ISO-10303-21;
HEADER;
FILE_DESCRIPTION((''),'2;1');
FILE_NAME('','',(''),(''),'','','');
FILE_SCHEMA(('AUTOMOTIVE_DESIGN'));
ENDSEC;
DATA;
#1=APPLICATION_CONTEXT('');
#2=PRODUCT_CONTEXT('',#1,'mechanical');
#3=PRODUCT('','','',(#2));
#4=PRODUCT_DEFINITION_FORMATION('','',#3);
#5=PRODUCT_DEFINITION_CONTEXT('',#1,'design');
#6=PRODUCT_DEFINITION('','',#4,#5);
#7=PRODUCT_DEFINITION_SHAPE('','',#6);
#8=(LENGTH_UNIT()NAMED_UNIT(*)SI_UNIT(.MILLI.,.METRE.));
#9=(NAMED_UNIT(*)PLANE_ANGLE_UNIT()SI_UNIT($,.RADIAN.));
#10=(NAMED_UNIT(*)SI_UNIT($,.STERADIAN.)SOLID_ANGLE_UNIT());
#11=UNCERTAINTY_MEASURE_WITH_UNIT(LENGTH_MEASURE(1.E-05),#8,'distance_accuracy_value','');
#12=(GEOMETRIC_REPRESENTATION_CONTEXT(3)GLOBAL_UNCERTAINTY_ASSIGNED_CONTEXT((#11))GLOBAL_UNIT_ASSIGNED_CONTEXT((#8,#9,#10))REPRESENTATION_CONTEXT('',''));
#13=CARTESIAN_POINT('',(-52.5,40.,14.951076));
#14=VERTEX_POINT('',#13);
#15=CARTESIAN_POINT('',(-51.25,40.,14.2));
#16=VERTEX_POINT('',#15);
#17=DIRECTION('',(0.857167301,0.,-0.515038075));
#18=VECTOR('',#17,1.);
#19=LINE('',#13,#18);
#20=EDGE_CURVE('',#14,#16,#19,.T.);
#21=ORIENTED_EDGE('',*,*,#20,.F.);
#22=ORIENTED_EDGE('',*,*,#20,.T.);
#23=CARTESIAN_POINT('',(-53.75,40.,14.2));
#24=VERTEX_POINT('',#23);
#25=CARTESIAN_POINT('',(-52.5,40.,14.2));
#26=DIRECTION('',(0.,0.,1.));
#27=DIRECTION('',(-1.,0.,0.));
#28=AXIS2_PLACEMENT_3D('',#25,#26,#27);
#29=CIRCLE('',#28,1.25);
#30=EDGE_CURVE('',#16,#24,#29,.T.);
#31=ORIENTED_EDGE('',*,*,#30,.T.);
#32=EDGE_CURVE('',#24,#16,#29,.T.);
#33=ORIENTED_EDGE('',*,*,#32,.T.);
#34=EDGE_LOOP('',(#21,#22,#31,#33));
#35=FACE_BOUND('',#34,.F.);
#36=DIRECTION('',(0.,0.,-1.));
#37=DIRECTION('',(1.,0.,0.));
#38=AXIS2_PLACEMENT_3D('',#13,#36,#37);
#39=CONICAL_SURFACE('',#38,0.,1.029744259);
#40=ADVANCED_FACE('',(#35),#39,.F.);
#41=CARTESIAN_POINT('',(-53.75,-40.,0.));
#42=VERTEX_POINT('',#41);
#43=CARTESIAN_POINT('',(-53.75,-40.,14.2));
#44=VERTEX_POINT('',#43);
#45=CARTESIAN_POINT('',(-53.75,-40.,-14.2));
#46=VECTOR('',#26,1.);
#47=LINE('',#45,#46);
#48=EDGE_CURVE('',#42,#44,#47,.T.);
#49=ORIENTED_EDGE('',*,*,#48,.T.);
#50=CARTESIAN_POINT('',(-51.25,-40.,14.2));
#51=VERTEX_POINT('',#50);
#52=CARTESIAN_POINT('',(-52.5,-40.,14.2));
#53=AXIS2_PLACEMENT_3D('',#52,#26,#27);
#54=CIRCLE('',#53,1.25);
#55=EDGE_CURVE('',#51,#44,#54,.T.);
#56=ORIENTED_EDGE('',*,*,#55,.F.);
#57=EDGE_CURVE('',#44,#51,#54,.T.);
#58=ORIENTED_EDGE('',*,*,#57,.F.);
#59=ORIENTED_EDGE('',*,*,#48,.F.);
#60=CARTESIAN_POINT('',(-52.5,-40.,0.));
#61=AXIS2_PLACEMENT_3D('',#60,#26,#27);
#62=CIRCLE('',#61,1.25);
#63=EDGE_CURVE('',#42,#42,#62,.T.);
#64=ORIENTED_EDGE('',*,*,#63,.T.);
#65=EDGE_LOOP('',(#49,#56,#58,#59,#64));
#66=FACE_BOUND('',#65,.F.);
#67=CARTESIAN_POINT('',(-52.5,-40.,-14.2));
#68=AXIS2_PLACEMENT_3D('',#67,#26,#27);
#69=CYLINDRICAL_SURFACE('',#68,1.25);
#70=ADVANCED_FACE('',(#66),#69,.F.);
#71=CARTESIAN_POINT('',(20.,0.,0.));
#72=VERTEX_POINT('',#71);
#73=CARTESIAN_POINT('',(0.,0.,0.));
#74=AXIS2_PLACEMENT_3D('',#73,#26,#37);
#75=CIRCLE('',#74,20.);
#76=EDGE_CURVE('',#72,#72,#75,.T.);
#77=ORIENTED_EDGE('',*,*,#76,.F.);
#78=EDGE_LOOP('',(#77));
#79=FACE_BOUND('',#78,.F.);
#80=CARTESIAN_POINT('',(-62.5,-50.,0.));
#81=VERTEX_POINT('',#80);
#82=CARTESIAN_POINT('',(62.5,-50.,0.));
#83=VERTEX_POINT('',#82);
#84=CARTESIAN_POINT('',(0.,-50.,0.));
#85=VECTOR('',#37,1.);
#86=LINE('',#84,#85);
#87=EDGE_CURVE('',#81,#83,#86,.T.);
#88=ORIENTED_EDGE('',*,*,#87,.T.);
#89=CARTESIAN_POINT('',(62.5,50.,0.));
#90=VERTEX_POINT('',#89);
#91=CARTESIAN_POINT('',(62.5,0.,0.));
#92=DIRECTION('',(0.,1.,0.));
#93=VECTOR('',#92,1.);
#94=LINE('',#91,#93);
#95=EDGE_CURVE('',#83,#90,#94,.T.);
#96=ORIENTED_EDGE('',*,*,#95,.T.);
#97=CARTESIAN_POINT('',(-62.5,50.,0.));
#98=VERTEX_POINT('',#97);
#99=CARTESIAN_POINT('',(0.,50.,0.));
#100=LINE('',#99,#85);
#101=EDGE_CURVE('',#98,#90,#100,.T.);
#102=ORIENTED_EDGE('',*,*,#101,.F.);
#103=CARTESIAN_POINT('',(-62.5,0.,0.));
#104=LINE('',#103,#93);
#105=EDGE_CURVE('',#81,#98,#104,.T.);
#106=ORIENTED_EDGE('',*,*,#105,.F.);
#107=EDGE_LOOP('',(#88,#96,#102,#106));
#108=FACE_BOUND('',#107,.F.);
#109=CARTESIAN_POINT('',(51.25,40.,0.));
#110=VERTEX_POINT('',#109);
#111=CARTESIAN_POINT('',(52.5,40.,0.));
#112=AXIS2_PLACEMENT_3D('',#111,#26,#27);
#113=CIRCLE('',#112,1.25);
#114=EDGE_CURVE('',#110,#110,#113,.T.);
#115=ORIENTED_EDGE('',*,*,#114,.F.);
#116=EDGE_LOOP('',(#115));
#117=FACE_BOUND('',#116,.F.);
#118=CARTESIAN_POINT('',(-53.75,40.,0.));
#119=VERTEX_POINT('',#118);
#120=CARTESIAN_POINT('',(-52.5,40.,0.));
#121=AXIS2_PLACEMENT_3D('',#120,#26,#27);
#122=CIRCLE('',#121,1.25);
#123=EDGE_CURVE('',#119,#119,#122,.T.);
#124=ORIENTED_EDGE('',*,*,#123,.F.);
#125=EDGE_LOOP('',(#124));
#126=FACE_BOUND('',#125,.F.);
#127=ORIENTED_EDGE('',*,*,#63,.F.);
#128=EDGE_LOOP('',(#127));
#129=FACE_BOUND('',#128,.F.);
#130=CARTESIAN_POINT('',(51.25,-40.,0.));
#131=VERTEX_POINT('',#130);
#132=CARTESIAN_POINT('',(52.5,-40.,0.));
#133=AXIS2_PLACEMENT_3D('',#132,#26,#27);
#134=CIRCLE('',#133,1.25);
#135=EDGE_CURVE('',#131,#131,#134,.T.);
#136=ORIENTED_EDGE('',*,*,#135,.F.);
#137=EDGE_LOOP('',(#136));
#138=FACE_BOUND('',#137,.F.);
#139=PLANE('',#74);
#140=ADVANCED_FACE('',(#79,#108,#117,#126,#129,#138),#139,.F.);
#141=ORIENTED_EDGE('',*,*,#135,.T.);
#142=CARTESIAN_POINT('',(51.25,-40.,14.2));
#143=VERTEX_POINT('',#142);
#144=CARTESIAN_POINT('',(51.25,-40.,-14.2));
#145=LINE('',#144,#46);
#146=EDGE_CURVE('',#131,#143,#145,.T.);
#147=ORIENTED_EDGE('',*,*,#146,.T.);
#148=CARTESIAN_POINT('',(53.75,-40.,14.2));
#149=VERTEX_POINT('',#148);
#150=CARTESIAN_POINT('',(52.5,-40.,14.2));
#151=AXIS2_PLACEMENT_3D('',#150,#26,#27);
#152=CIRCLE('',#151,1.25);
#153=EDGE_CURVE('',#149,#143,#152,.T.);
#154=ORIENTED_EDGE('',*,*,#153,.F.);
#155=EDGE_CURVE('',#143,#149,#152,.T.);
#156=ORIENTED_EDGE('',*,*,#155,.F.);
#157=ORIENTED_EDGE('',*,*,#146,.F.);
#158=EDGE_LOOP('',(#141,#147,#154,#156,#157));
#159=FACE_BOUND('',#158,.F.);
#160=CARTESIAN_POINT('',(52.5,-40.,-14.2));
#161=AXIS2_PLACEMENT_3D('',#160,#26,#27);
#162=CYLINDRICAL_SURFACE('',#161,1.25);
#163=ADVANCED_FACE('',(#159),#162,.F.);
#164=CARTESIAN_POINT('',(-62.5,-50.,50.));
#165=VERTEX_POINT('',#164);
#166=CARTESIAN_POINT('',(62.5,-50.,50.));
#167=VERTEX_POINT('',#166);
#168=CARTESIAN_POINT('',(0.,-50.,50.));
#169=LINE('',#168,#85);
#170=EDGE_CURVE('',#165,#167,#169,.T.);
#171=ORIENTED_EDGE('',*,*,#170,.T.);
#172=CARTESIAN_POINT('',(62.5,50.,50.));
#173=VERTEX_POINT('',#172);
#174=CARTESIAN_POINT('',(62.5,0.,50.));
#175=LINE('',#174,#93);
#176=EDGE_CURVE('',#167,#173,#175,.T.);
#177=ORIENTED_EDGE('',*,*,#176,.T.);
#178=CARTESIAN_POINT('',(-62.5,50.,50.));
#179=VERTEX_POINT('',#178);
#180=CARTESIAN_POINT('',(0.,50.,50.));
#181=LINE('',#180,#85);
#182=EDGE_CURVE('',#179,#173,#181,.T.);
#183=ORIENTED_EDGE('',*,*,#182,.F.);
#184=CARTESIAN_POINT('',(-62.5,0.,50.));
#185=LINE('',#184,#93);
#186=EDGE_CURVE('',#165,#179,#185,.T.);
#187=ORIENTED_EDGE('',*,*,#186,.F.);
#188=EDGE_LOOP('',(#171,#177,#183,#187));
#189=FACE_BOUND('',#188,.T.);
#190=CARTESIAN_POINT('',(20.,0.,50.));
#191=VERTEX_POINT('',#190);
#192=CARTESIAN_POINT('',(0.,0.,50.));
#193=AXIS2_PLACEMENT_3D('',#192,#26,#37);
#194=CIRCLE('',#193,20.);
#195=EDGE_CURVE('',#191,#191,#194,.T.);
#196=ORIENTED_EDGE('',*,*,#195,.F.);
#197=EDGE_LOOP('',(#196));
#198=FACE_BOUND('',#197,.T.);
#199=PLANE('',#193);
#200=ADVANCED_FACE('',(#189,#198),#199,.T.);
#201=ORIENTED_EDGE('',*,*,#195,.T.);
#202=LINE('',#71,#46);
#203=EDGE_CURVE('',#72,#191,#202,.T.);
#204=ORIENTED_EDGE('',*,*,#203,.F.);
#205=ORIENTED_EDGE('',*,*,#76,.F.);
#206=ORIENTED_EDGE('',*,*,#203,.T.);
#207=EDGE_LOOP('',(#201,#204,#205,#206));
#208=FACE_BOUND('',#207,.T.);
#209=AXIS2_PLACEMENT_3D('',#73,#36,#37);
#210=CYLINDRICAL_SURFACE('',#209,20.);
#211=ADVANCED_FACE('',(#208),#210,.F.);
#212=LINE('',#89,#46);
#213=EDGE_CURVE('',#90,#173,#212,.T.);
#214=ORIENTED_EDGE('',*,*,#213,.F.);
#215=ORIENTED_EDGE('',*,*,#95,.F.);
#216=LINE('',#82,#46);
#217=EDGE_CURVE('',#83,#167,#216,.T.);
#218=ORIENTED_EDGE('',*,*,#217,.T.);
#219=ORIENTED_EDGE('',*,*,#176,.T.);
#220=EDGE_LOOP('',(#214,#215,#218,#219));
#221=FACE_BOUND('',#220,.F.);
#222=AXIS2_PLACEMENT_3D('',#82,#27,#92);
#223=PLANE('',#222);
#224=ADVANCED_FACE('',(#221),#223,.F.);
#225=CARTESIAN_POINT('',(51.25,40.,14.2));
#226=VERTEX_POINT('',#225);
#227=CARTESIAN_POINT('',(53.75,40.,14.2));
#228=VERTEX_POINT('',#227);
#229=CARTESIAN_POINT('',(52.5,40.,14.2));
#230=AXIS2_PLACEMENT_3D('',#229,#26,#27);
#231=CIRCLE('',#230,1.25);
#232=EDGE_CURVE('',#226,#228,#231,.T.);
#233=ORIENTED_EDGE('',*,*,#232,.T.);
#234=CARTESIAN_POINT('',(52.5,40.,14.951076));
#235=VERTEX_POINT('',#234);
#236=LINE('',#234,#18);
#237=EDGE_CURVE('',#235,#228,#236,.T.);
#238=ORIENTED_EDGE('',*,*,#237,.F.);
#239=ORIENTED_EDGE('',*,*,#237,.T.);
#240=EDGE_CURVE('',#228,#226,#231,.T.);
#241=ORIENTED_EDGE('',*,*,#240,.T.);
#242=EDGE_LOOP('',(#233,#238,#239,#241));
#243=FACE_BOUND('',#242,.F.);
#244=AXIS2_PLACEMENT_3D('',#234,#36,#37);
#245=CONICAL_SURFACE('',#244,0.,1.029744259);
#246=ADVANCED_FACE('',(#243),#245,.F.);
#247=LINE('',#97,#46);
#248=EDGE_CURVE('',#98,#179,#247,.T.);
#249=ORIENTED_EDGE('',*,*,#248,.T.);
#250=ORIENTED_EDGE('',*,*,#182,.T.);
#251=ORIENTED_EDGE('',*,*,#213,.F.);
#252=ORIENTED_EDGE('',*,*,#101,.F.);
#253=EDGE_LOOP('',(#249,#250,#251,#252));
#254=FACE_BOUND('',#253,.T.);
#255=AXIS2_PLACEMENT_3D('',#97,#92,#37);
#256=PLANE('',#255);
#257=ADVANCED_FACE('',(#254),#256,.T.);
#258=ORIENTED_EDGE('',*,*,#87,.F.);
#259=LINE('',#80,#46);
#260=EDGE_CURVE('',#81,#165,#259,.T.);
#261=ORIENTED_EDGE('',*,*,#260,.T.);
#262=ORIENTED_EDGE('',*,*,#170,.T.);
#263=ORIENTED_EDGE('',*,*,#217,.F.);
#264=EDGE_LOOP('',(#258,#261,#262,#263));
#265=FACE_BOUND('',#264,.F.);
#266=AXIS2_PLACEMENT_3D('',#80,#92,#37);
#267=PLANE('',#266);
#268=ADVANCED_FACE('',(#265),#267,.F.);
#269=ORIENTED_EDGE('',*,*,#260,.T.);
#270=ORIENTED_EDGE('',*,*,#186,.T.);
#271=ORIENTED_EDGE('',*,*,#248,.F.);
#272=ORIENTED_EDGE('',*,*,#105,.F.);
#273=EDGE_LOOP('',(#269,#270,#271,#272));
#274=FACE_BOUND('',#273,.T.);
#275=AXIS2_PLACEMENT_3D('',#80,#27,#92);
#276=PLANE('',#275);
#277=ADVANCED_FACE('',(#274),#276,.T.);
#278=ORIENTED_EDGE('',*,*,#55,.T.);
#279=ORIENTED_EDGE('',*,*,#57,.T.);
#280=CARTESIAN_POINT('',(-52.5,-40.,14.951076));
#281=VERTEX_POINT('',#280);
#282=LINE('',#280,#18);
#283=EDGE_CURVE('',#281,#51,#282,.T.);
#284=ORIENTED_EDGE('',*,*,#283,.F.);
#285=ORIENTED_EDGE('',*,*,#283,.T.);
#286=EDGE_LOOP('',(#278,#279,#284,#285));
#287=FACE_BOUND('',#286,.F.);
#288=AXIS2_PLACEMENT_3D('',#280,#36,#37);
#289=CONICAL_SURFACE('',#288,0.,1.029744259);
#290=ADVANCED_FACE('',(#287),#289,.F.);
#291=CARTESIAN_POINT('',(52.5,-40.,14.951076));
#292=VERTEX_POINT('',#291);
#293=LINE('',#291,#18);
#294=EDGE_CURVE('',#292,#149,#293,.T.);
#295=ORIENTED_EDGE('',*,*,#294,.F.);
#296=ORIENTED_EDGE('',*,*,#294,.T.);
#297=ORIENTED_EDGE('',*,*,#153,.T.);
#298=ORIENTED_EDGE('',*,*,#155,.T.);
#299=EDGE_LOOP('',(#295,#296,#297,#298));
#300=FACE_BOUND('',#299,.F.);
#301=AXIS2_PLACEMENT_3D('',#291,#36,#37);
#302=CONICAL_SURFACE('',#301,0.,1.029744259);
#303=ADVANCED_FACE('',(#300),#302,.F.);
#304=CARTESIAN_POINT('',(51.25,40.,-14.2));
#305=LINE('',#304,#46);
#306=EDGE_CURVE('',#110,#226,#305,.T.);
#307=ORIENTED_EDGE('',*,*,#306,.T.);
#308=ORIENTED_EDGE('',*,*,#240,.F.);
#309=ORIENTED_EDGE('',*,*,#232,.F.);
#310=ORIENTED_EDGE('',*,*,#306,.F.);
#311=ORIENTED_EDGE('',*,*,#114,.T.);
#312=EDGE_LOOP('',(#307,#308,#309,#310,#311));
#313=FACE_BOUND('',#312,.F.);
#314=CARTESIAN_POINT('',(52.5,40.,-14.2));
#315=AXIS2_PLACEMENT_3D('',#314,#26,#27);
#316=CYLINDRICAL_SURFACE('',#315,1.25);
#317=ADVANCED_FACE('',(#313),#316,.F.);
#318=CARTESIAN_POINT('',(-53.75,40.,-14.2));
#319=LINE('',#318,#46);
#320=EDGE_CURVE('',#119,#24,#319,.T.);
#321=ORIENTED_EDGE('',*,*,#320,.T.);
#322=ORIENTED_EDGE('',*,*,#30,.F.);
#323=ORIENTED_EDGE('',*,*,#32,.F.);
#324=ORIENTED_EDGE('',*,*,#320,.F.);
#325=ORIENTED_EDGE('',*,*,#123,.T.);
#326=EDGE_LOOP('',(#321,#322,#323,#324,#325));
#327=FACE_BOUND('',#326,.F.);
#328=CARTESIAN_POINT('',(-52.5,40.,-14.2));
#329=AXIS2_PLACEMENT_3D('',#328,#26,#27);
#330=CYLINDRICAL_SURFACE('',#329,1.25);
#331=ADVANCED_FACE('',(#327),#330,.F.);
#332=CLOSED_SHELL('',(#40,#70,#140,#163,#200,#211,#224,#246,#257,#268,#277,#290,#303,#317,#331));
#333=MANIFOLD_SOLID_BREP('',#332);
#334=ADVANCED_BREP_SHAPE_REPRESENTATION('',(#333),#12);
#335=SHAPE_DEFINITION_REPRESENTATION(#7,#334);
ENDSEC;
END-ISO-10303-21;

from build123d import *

# Parameters (mm, degrees)
F0_W     = 125
F0_H     = 100
F0_R     = 20
F1_DEPTH = 50
F3_D     = 2.5
F3_DEPTH = 14.2
F3_TIP   = 0.7510757738


with BuildPart() as f1:
    # F0 (on Top) → F1 (new body)
    with BuildSketch(Plane.XY):
        Rectangle(F0_W, F0_H)
        Circle(F0_R, mode=Mode.SUBTRACT)
    extrude(amount=F1_DEPTH)

    # F3
    with Locations(Plane(origin=(0, 0, 0), x_dir=(1, 0, 0), z_dir=(0, 0, -1))):
        with Locations((-52.5, -40), (-52.5, 40), (52.5, 40), (52.5, -40)):
            Hole(F3_D / 2, depth=F3_DEPTH)
            with Locations((0, 0, -(F3_DEPTH + F3_TIP / 2))):  # 118° drill point
                Cone(0, F3_D / 2, F3_TIP, mode=Mode.SUBTRACT)


solid = f1.part
